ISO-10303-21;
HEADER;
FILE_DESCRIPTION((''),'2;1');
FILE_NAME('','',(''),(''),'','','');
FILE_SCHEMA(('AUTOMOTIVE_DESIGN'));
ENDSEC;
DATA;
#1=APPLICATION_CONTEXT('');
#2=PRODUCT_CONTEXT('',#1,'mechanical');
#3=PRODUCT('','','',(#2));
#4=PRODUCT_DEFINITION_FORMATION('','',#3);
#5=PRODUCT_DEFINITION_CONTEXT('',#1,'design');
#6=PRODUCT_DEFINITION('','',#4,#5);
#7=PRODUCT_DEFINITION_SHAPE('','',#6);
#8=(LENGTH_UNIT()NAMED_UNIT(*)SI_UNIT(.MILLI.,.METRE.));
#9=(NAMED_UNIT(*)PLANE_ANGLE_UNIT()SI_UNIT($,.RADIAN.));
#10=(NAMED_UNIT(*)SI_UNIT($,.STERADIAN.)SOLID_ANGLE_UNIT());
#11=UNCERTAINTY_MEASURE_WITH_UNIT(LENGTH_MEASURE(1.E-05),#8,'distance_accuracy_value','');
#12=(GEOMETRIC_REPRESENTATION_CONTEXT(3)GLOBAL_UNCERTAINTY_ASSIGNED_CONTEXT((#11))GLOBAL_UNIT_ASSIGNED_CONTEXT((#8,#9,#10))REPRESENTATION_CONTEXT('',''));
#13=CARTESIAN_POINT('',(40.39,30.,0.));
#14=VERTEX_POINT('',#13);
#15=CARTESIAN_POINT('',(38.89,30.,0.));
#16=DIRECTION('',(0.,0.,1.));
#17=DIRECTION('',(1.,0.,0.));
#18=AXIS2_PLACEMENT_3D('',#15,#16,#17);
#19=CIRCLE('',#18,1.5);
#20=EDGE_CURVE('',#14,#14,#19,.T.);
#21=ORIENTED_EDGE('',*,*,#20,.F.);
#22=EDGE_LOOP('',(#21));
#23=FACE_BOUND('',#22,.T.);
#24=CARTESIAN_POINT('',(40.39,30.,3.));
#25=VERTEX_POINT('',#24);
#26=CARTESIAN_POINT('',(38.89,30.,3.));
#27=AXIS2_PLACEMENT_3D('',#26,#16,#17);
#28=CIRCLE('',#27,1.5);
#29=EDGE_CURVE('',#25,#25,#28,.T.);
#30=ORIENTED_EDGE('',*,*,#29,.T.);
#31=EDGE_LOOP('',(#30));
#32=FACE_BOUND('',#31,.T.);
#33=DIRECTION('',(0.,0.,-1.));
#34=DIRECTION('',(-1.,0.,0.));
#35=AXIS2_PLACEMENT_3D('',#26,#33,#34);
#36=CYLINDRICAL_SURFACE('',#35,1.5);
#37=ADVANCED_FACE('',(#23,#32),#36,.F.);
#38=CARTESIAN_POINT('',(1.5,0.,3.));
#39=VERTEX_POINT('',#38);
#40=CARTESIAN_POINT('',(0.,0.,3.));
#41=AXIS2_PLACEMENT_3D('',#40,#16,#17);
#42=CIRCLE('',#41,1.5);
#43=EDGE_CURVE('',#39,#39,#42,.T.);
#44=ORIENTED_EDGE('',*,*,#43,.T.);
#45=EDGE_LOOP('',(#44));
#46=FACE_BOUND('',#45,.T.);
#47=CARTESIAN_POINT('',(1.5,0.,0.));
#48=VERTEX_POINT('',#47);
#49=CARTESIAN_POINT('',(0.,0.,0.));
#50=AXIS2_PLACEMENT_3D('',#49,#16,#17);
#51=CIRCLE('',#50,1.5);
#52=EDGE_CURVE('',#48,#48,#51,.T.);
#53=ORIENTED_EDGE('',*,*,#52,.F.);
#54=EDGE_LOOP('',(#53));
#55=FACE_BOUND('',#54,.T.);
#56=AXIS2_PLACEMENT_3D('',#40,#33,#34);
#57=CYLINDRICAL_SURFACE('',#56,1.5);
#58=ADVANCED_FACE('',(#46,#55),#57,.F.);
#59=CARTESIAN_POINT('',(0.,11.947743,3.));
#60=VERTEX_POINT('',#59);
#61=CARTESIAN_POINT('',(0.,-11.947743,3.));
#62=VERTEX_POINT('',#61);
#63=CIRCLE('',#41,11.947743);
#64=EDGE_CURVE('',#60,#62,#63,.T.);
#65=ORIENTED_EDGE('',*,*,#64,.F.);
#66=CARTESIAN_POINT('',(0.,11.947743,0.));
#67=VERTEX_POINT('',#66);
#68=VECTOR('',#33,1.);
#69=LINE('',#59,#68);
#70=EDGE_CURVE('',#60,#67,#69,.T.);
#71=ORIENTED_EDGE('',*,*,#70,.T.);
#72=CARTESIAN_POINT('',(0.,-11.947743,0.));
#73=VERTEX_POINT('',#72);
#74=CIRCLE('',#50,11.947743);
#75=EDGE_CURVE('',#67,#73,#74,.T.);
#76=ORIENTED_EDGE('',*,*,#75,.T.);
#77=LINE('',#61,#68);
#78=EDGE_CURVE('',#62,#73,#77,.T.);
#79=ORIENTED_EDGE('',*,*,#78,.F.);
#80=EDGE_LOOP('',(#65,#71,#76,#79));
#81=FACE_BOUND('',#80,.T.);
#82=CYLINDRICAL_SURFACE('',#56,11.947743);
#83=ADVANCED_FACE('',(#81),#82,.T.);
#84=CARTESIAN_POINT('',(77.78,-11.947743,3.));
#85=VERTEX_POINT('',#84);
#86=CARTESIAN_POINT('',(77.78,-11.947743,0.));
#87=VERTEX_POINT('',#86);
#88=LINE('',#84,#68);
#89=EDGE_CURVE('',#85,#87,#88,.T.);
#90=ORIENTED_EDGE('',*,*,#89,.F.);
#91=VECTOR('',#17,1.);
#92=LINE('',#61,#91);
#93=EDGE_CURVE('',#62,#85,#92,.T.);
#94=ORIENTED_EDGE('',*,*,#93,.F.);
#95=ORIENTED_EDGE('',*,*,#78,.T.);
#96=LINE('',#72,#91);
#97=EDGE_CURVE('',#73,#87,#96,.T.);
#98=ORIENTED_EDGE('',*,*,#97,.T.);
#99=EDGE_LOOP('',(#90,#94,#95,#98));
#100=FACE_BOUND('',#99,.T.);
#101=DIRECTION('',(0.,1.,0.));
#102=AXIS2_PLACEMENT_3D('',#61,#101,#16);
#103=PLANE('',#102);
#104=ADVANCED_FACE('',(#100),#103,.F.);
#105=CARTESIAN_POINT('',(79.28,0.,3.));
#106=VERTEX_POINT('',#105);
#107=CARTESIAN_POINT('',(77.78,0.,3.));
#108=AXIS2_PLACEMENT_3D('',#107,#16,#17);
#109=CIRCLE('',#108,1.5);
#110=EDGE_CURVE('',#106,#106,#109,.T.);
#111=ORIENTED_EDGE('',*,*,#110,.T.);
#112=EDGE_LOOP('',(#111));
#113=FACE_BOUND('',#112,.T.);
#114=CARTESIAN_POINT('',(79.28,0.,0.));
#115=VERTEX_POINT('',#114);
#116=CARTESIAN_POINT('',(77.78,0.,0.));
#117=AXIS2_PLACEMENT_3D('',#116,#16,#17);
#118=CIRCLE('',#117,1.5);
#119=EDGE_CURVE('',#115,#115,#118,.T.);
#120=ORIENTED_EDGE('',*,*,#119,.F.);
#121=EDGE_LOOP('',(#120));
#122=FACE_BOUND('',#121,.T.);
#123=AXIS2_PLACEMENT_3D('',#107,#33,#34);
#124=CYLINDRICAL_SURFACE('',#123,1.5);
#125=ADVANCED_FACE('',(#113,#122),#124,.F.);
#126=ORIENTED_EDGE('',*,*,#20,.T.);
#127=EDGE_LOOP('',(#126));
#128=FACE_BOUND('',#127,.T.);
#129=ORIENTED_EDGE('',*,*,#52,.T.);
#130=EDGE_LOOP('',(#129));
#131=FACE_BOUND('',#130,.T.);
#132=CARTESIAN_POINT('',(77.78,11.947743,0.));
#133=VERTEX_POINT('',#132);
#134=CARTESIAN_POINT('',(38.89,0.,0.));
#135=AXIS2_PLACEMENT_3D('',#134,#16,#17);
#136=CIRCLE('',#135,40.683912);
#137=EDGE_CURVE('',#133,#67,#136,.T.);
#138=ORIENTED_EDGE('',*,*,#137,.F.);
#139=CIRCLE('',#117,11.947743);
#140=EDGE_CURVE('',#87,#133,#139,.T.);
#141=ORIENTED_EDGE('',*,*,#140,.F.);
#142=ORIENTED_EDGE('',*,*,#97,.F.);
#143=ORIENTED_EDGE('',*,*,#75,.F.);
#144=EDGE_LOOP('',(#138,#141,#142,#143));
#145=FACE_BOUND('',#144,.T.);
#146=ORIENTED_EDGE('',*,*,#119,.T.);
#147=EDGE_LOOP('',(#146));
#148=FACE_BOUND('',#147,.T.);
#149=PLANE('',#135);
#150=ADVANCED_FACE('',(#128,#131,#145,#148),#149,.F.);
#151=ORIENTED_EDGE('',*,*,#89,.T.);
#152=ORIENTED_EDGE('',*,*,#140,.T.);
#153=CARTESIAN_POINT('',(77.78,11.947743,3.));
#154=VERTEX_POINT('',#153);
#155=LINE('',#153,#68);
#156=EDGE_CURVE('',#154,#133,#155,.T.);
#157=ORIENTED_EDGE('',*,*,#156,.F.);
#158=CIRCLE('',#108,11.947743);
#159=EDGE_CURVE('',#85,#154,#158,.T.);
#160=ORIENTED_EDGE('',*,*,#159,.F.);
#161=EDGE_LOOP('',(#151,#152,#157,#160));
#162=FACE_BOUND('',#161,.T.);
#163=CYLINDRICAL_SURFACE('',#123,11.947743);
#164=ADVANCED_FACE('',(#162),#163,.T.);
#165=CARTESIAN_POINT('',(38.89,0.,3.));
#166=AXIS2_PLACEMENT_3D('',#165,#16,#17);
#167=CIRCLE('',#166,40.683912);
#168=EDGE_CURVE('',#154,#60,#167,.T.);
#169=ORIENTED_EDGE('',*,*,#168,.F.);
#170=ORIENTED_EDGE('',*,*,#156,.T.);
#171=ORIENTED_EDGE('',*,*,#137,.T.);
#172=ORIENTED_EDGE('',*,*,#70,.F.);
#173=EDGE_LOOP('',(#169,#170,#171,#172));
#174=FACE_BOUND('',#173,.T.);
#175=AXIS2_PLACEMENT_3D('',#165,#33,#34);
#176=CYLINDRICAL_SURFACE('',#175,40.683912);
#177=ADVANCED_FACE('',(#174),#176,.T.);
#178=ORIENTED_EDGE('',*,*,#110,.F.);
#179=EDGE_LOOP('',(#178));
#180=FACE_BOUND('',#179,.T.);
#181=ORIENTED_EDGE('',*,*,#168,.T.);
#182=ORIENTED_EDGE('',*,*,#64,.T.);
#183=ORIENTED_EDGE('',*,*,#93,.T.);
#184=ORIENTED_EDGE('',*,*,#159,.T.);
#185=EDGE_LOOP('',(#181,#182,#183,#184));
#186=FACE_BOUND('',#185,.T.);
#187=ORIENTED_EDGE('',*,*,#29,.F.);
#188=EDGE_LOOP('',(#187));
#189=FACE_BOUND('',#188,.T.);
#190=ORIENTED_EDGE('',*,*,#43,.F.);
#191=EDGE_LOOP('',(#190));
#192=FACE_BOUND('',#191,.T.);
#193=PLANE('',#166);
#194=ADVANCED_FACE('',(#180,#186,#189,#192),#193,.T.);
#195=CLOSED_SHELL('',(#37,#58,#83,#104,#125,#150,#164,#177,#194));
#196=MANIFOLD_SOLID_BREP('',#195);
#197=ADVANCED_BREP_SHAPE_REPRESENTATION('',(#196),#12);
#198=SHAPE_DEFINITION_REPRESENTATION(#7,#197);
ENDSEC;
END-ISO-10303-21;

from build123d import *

# Parameters (mm, degrees)
CROQUIS1_R              = 1.5
SALIENTE_EXTRUIR1_DEPTH = 3


with BuildPart() as part:
    # Croquis1 → Saliente-Extruir1 (new body)
    with BuildSketch(Plane.XY):
        with BuildLine():
            Line((0, -11.947743298), (77.78, -11.947743298))
            ThreePointArc((77.78, -11.947743298), (89.727743298, 0), (77.78, 11.947743298))
            ThreePointArc((77.78, 11.947743298), (38.89, 40.683911684), (0, 11.947743298))
            ThreePointArc((0, 11.947743298), (-11.947743298, 0), (0, -11.947743298))
        make_face()
        Circle(CROQUIS1_R, mode=Mode.SUBTRACT)
        with Locations((77.78, 0)):
            Circle(CROQUIS1_R, mode=Mode.SUBTRACT)
        with Locations((38.89, 30)):
            Circle(CROQUIS1_R, mode=Mode.SUBTRACT)
    extrude(amount=SALIENTE_EXTRUIR1_DEPTH)


solid = part.part
